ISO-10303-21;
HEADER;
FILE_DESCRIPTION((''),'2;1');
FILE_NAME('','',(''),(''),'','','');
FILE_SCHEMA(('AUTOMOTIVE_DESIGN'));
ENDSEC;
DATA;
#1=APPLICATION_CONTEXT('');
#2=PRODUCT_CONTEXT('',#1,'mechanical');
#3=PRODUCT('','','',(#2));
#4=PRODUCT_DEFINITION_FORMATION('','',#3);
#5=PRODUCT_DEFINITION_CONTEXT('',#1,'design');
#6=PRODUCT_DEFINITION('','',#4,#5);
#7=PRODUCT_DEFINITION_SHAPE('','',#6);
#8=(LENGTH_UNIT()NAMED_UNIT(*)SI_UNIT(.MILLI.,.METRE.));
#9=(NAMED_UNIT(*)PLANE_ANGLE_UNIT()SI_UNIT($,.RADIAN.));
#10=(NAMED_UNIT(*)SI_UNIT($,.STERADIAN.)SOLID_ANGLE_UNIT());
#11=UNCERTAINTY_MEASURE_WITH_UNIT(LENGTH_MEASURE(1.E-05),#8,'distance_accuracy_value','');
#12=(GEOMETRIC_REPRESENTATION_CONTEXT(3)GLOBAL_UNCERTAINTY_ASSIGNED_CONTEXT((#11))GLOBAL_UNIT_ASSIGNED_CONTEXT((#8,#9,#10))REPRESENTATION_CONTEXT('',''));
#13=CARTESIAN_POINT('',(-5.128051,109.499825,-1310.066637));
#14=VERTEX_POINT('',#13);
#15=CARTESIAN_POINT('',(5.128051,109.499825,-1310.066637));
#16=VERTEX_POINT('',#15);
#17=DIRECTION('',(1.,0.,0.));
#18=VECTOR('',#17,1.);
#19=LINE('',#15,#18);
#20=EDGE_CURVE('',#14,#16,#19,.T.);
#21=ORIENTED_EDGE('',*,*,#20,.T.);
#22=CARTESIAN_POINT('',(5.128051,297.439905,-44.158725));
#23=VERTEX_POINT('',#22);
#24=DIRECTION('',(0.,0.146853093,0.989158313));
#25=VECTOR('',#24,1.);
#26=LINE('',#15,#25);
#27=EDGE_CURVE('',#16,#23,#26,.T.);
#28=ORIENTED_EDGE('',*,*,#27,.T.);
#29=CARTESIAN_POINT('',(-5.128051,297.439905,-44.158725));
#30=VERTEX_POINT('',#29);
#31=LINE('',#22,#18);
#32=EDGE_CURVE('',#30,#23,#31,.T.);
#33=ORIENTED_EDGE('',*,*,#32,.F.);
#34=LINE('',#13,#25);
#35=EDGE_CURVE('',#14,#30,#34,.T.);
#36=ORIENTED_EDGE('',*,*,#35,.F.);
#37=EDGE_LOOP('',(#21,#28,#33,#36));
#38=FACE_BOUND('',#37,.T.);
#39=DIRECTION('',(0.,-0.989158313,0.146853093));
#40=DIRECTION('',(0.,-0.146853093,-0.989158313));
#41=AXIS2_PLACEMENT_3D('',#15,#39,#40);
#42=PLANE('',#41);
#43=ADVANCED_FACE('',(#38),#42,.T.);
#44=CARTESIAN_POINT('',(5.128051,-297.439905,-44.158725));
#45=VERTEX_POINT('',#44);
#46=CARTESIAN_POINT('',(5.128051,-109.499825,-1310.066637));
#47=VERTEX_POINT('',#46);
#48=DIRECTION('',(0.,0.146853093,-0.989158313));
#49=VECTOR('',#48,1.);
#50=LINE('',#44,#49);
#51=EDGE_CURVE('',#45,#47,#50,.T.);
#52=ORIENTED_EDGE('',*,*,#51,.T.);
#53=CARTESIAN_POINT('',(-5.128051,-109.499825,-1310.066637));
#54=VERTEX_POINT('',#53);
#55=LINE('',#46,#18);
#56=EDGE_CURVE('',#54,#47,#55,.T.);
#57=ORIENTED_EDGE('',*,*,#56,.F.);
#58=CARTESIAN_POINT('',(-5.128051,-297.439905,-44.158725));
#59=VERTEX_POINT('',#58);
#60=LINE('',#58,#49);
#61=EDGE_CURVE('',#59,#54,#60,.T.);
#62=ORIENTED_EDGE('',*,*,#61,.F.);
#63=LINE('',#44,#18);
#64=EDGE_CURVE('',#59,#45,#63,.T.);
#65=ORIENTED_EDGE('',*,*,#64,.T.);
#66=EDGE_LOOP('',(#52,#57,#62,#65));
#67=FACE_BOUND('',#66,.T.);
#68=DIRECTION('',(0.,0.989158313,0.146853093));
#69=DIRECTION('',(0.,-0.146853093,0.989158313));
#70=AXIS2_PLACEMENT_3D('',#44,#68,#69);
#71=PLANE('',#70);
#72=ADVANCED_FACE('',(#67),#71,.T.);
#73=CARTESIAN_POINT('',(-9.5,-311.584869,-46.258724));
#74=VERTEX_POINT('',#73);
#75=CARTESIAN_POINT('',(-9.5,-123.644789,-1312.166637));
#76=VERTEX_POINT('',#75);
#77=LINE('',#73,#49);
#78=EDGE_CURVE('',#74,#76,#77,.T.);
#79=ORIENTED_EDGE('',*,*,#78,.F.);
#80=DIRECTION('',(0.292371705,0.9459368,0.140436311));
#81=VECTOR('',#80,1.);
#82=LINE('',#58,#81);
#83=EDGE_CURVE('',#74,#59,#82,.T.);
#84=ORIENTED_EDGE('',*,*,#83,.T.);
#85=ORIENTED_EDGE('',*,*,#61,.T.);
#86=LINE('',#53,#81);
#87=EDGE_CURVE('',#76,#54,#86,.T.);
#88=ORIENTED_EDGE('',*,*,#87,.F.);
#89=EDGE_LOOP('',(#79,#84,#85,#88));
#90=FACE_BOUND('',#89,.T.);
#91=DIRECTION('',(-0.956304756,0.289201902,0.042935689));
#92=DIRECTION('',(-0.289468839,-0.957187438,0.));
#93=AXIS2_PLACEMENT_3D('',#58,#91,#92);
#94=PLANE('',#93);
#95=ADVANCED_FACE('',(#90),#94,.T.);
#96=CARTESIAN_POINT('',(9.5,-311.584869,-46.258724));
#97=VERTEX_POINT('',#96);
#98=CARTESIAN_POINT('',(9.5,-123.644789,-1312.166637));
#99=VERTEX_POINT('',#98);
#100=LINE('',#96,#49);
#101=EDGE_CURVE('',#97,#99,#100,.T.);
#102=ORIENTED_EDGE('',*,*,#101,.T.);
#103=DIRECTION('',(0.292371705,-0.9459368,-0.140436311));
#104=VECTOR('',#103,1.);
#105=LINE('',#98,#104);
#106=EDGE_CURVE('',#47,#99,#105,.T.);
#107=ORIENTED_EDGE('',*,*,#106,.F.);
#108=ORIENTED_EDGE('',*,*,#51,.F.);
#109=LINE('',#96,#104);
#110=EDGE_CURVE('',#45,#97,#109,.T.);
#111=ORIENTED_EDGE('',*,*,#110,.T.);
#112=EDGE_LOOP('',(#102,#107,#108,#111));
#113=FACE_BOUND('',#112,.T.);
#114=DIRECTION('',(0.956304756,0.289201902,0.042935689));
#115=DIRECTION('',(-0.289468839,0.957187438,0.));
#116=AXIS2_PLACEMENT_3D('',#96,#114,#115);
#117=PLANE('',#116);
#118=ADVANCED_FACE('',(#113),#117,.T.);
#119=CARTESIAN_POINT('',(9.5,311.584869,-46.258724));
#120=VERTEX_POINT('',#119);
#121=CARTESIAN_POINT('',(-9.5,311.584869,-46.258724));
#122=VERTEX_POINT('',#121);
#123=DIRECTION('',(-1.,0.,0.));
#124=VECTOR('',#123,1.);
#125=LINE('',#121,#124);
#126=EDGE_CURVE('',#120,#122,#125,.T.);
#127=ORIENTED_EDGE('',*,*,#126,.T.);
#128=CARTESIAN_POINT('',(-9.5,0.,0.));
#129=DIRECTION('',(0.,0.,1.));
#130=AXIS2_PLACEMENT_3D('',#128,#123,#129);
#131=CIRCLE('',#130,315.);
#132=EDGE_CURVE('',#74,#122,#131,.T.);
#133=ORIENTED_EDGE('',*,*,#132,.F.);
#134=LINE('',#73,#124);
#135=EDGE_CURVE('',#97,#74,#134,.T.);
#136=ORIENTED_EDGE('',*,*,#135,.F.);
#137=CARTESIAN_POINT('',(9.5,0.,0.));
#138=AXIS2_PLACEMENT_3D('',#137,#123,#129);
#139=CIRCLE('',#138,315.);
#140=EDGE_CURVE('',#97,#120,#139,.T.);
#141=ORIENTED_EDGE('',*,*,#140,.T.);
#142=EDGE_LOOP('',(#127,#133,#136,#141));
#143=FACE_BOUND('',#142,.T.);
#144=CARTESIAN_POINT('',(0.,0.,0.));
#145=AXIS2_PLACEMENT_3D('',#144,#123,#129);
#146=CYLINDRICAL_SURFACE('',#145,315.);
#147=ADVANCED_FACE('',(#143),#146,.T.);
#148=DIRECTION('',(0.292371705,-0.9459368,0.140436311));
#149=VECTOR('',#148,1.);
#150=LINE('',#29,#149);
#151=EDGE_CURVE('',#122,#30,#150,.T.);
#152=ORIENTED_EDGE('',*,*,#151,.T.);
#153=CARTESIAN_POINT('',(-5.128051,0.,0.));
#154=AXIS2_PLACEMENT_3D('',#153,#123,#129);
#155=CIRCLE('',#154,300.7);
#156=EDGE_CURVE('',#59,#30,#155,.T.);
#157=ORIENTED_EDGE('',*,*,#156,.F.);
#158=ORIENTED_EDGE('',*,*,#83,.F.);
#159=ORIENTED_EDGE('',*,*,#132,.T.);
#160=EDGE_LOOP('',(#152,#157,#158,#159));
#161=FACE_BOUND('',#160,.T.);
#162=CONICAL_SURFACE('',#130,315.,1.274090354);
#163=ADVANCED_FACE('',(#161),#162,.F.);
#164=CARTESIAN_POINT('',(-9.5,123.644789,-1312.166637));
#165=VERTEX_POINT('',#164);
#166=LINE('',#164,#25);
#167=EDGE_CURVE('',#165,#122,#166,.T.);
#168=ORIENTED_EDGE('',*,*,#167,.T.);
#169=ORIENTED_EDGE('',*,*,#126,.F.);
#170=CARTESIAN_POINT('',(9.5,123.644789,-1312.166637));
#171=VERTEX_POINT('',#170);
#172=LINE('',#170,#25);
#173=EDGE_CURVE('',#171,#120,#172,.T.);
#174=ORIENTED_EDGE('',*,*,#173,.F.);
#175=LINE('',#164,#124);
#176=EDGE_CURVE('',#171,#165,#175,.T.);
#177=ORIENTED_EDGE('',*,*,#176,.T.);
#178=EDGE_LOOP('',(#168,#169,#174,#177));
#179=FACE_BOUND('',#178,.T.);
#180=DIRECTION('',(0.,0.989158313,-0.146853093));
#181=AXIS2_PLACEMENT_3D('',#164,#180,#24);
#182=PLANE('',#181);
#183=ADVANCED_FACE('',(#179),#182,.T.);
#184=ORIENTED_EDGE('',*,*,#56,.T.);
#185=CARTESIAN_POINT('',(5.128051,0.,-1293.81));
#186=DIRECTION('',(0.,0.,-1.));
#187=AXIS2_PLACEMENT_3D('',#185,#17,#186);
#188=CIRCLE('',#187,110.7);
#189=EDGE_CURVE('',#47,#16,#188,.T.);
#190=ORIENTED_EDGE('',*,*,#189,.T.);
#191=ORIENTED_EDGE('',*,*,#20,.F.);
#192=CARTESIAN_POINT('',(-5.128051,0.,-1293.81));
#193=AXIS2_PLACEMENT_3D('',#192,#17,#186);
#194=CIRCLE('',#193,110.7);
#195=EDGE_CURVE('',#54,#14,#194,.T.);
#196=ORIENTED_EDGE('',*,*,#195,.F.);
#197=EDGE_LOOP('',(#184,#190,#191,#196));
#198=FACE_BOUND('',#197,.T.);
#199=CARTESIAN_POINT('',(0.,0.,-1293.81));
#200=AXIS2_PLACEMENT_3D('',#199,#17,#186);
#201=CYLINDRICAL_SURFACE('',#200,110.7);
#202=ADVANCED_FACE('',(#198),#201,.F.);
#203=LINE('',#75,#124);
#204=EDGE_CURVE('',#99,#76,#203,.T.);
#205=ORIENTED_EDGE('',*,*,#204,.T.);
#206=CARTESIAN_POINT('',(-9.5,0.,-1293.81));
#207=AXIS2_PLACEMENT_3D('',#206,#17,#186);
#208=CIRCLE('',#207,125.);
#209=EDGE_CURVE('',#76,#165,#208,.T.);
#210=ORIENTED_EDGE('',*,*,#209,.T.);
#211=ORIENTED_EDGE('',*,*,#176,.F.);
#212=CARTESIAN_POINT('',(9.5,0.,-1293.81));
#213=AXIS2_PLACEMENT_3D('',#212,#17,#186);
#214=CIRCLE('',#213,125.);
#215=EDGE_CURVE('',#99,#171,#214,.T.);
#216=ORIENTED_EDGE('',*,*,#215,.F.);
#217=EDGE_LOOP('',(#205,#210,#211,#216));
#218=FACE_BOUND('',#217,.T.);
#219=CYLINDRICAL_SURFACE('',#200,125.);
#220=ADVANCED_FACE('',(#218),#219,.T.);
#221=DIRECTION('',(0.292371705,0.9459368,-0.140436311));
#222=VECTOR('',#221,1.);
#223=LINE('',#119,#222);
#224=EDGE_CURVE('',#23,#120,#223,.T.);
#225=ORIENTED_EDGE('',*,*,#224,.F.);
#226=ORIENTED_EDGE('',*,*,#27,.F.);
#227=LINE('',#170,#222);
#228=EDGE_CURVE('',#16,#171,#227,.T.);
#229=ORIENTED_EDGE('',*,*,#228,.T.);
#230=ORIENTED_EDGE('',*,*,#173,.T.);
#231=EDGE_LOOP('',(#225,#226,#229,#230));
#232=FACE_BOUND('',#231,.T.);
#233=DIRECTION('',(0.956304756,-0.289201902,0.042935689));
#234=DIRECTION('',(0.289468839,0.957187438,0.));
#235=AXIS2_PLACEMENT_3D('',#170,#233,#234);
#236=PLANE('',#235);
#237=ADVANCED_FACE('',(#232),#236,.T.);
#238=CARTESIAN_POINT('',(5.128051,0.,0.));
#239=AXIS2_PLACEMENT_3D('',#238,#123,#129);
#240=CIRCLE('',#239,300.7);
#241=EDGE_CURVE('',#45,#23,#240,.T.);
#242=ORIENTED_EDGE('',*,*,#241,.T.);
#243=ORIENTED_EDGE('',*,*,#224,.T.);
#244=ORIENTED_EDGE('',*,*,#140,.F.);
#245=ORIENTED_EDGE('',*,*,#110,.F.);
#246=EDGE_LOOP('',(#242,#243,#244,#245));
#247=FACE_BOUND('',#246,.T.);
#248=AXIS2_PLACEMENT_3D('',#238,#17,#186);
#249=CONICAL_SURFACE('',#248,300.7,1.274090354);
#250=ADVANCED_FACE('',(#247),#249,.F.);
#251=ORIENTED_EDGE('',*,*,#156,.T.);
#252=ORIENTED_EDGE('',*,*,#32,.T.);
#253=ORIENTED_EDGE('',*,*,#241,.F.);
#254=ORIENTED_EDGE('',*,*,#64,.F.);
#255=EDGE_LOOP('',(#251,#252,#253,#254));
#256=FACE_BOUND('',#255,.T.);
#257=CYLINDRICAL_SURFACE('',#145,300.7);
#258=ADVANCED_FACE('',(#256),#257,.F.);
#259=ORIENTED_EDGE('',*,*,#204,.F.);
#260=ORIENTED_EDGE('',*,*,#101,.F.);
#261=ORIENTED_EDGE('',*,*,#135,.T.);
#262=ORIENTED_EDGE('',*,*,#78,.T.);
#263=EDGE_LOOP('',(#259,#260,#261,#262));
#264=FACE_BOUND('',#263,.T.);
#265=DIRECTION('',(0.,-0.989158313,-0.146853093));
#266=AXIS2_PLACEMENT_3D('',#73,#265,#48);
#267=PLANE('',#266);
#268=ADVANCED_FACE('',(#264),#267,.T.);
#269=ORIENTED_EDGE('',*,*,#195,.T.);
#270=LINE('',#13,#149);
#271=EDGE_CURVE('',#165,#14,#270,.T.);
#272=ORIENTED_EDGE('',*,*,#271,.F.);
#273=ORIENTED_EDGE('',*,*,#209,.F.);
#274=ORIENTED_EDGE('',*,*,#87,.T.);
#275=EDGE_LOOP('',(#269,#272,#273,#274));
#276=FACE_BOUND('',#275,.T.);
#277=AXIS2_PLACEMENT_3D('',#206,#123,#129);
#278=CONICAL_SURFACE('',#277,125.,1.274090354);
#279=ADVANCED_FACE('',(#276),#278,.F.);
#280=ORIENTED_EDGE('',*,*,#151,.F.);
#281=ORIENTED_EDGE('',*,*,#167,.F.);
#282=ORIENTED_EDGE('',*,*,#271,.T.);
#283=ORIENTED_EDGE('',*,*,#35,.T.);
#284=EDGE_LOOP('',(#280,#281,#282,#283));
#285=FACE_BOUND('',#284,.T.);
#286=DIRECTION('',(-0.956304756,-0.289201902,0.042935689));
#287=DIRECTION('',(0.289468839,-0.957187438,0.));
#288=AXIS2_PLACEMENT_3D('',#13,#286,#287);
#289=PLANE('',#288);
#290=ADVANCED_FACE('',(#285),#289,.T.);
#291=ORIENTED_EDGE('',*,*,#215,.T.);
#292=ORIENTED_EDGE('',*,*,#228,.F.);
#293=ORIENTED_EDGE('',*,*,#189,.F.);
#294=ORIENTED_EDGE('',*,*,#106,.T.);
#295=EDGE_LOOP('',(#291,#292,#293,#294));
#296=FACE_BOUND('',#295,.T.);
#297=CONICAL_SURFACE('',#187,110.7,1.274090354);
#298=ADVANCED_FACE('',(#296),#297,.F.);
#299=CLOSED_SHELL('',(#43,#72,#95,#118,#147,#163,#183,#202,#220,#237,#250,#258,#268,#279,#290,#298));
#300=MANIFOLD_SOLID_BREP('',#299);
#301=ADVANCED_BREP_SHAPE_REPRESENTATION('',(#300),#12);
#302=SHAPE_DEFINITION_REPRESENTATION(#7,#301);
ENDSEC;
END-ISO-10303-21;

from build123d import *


with BuildPart() as part:
    # 扫描1: sweep along a path in 草图1
    with BuildLine(Plane(origin=(0, 0, 0), x_dir=(0, 0, -1), z_dir=(1, 0, 0))) as sweep_1_path:
        Line((46.258724233, 311.584868747), (1312.1666366, 123.644789185))
        ThreePointArc((1312.1666366, 123.644789185), (1418.81, 0), (1312.1666366, -123.644789185))
        Line((1312.1666366, -123.644789185), (46.258724233, -311.584868747))
        ThreePointArc((46.258724233, -311.584868747), (-315, 0), (46.258724233, 311.584868747))
    # 草图2 → 扫描1 (sweep)
    with BuildSketch(Plane.XY):
        Polygon((-9.5, 315), (9.5, 315), (5.128051255, 300.7), (-5.128051255, 300.7), align=None)
    sweep(path=sweep_1_path.line)


solid = part.part
